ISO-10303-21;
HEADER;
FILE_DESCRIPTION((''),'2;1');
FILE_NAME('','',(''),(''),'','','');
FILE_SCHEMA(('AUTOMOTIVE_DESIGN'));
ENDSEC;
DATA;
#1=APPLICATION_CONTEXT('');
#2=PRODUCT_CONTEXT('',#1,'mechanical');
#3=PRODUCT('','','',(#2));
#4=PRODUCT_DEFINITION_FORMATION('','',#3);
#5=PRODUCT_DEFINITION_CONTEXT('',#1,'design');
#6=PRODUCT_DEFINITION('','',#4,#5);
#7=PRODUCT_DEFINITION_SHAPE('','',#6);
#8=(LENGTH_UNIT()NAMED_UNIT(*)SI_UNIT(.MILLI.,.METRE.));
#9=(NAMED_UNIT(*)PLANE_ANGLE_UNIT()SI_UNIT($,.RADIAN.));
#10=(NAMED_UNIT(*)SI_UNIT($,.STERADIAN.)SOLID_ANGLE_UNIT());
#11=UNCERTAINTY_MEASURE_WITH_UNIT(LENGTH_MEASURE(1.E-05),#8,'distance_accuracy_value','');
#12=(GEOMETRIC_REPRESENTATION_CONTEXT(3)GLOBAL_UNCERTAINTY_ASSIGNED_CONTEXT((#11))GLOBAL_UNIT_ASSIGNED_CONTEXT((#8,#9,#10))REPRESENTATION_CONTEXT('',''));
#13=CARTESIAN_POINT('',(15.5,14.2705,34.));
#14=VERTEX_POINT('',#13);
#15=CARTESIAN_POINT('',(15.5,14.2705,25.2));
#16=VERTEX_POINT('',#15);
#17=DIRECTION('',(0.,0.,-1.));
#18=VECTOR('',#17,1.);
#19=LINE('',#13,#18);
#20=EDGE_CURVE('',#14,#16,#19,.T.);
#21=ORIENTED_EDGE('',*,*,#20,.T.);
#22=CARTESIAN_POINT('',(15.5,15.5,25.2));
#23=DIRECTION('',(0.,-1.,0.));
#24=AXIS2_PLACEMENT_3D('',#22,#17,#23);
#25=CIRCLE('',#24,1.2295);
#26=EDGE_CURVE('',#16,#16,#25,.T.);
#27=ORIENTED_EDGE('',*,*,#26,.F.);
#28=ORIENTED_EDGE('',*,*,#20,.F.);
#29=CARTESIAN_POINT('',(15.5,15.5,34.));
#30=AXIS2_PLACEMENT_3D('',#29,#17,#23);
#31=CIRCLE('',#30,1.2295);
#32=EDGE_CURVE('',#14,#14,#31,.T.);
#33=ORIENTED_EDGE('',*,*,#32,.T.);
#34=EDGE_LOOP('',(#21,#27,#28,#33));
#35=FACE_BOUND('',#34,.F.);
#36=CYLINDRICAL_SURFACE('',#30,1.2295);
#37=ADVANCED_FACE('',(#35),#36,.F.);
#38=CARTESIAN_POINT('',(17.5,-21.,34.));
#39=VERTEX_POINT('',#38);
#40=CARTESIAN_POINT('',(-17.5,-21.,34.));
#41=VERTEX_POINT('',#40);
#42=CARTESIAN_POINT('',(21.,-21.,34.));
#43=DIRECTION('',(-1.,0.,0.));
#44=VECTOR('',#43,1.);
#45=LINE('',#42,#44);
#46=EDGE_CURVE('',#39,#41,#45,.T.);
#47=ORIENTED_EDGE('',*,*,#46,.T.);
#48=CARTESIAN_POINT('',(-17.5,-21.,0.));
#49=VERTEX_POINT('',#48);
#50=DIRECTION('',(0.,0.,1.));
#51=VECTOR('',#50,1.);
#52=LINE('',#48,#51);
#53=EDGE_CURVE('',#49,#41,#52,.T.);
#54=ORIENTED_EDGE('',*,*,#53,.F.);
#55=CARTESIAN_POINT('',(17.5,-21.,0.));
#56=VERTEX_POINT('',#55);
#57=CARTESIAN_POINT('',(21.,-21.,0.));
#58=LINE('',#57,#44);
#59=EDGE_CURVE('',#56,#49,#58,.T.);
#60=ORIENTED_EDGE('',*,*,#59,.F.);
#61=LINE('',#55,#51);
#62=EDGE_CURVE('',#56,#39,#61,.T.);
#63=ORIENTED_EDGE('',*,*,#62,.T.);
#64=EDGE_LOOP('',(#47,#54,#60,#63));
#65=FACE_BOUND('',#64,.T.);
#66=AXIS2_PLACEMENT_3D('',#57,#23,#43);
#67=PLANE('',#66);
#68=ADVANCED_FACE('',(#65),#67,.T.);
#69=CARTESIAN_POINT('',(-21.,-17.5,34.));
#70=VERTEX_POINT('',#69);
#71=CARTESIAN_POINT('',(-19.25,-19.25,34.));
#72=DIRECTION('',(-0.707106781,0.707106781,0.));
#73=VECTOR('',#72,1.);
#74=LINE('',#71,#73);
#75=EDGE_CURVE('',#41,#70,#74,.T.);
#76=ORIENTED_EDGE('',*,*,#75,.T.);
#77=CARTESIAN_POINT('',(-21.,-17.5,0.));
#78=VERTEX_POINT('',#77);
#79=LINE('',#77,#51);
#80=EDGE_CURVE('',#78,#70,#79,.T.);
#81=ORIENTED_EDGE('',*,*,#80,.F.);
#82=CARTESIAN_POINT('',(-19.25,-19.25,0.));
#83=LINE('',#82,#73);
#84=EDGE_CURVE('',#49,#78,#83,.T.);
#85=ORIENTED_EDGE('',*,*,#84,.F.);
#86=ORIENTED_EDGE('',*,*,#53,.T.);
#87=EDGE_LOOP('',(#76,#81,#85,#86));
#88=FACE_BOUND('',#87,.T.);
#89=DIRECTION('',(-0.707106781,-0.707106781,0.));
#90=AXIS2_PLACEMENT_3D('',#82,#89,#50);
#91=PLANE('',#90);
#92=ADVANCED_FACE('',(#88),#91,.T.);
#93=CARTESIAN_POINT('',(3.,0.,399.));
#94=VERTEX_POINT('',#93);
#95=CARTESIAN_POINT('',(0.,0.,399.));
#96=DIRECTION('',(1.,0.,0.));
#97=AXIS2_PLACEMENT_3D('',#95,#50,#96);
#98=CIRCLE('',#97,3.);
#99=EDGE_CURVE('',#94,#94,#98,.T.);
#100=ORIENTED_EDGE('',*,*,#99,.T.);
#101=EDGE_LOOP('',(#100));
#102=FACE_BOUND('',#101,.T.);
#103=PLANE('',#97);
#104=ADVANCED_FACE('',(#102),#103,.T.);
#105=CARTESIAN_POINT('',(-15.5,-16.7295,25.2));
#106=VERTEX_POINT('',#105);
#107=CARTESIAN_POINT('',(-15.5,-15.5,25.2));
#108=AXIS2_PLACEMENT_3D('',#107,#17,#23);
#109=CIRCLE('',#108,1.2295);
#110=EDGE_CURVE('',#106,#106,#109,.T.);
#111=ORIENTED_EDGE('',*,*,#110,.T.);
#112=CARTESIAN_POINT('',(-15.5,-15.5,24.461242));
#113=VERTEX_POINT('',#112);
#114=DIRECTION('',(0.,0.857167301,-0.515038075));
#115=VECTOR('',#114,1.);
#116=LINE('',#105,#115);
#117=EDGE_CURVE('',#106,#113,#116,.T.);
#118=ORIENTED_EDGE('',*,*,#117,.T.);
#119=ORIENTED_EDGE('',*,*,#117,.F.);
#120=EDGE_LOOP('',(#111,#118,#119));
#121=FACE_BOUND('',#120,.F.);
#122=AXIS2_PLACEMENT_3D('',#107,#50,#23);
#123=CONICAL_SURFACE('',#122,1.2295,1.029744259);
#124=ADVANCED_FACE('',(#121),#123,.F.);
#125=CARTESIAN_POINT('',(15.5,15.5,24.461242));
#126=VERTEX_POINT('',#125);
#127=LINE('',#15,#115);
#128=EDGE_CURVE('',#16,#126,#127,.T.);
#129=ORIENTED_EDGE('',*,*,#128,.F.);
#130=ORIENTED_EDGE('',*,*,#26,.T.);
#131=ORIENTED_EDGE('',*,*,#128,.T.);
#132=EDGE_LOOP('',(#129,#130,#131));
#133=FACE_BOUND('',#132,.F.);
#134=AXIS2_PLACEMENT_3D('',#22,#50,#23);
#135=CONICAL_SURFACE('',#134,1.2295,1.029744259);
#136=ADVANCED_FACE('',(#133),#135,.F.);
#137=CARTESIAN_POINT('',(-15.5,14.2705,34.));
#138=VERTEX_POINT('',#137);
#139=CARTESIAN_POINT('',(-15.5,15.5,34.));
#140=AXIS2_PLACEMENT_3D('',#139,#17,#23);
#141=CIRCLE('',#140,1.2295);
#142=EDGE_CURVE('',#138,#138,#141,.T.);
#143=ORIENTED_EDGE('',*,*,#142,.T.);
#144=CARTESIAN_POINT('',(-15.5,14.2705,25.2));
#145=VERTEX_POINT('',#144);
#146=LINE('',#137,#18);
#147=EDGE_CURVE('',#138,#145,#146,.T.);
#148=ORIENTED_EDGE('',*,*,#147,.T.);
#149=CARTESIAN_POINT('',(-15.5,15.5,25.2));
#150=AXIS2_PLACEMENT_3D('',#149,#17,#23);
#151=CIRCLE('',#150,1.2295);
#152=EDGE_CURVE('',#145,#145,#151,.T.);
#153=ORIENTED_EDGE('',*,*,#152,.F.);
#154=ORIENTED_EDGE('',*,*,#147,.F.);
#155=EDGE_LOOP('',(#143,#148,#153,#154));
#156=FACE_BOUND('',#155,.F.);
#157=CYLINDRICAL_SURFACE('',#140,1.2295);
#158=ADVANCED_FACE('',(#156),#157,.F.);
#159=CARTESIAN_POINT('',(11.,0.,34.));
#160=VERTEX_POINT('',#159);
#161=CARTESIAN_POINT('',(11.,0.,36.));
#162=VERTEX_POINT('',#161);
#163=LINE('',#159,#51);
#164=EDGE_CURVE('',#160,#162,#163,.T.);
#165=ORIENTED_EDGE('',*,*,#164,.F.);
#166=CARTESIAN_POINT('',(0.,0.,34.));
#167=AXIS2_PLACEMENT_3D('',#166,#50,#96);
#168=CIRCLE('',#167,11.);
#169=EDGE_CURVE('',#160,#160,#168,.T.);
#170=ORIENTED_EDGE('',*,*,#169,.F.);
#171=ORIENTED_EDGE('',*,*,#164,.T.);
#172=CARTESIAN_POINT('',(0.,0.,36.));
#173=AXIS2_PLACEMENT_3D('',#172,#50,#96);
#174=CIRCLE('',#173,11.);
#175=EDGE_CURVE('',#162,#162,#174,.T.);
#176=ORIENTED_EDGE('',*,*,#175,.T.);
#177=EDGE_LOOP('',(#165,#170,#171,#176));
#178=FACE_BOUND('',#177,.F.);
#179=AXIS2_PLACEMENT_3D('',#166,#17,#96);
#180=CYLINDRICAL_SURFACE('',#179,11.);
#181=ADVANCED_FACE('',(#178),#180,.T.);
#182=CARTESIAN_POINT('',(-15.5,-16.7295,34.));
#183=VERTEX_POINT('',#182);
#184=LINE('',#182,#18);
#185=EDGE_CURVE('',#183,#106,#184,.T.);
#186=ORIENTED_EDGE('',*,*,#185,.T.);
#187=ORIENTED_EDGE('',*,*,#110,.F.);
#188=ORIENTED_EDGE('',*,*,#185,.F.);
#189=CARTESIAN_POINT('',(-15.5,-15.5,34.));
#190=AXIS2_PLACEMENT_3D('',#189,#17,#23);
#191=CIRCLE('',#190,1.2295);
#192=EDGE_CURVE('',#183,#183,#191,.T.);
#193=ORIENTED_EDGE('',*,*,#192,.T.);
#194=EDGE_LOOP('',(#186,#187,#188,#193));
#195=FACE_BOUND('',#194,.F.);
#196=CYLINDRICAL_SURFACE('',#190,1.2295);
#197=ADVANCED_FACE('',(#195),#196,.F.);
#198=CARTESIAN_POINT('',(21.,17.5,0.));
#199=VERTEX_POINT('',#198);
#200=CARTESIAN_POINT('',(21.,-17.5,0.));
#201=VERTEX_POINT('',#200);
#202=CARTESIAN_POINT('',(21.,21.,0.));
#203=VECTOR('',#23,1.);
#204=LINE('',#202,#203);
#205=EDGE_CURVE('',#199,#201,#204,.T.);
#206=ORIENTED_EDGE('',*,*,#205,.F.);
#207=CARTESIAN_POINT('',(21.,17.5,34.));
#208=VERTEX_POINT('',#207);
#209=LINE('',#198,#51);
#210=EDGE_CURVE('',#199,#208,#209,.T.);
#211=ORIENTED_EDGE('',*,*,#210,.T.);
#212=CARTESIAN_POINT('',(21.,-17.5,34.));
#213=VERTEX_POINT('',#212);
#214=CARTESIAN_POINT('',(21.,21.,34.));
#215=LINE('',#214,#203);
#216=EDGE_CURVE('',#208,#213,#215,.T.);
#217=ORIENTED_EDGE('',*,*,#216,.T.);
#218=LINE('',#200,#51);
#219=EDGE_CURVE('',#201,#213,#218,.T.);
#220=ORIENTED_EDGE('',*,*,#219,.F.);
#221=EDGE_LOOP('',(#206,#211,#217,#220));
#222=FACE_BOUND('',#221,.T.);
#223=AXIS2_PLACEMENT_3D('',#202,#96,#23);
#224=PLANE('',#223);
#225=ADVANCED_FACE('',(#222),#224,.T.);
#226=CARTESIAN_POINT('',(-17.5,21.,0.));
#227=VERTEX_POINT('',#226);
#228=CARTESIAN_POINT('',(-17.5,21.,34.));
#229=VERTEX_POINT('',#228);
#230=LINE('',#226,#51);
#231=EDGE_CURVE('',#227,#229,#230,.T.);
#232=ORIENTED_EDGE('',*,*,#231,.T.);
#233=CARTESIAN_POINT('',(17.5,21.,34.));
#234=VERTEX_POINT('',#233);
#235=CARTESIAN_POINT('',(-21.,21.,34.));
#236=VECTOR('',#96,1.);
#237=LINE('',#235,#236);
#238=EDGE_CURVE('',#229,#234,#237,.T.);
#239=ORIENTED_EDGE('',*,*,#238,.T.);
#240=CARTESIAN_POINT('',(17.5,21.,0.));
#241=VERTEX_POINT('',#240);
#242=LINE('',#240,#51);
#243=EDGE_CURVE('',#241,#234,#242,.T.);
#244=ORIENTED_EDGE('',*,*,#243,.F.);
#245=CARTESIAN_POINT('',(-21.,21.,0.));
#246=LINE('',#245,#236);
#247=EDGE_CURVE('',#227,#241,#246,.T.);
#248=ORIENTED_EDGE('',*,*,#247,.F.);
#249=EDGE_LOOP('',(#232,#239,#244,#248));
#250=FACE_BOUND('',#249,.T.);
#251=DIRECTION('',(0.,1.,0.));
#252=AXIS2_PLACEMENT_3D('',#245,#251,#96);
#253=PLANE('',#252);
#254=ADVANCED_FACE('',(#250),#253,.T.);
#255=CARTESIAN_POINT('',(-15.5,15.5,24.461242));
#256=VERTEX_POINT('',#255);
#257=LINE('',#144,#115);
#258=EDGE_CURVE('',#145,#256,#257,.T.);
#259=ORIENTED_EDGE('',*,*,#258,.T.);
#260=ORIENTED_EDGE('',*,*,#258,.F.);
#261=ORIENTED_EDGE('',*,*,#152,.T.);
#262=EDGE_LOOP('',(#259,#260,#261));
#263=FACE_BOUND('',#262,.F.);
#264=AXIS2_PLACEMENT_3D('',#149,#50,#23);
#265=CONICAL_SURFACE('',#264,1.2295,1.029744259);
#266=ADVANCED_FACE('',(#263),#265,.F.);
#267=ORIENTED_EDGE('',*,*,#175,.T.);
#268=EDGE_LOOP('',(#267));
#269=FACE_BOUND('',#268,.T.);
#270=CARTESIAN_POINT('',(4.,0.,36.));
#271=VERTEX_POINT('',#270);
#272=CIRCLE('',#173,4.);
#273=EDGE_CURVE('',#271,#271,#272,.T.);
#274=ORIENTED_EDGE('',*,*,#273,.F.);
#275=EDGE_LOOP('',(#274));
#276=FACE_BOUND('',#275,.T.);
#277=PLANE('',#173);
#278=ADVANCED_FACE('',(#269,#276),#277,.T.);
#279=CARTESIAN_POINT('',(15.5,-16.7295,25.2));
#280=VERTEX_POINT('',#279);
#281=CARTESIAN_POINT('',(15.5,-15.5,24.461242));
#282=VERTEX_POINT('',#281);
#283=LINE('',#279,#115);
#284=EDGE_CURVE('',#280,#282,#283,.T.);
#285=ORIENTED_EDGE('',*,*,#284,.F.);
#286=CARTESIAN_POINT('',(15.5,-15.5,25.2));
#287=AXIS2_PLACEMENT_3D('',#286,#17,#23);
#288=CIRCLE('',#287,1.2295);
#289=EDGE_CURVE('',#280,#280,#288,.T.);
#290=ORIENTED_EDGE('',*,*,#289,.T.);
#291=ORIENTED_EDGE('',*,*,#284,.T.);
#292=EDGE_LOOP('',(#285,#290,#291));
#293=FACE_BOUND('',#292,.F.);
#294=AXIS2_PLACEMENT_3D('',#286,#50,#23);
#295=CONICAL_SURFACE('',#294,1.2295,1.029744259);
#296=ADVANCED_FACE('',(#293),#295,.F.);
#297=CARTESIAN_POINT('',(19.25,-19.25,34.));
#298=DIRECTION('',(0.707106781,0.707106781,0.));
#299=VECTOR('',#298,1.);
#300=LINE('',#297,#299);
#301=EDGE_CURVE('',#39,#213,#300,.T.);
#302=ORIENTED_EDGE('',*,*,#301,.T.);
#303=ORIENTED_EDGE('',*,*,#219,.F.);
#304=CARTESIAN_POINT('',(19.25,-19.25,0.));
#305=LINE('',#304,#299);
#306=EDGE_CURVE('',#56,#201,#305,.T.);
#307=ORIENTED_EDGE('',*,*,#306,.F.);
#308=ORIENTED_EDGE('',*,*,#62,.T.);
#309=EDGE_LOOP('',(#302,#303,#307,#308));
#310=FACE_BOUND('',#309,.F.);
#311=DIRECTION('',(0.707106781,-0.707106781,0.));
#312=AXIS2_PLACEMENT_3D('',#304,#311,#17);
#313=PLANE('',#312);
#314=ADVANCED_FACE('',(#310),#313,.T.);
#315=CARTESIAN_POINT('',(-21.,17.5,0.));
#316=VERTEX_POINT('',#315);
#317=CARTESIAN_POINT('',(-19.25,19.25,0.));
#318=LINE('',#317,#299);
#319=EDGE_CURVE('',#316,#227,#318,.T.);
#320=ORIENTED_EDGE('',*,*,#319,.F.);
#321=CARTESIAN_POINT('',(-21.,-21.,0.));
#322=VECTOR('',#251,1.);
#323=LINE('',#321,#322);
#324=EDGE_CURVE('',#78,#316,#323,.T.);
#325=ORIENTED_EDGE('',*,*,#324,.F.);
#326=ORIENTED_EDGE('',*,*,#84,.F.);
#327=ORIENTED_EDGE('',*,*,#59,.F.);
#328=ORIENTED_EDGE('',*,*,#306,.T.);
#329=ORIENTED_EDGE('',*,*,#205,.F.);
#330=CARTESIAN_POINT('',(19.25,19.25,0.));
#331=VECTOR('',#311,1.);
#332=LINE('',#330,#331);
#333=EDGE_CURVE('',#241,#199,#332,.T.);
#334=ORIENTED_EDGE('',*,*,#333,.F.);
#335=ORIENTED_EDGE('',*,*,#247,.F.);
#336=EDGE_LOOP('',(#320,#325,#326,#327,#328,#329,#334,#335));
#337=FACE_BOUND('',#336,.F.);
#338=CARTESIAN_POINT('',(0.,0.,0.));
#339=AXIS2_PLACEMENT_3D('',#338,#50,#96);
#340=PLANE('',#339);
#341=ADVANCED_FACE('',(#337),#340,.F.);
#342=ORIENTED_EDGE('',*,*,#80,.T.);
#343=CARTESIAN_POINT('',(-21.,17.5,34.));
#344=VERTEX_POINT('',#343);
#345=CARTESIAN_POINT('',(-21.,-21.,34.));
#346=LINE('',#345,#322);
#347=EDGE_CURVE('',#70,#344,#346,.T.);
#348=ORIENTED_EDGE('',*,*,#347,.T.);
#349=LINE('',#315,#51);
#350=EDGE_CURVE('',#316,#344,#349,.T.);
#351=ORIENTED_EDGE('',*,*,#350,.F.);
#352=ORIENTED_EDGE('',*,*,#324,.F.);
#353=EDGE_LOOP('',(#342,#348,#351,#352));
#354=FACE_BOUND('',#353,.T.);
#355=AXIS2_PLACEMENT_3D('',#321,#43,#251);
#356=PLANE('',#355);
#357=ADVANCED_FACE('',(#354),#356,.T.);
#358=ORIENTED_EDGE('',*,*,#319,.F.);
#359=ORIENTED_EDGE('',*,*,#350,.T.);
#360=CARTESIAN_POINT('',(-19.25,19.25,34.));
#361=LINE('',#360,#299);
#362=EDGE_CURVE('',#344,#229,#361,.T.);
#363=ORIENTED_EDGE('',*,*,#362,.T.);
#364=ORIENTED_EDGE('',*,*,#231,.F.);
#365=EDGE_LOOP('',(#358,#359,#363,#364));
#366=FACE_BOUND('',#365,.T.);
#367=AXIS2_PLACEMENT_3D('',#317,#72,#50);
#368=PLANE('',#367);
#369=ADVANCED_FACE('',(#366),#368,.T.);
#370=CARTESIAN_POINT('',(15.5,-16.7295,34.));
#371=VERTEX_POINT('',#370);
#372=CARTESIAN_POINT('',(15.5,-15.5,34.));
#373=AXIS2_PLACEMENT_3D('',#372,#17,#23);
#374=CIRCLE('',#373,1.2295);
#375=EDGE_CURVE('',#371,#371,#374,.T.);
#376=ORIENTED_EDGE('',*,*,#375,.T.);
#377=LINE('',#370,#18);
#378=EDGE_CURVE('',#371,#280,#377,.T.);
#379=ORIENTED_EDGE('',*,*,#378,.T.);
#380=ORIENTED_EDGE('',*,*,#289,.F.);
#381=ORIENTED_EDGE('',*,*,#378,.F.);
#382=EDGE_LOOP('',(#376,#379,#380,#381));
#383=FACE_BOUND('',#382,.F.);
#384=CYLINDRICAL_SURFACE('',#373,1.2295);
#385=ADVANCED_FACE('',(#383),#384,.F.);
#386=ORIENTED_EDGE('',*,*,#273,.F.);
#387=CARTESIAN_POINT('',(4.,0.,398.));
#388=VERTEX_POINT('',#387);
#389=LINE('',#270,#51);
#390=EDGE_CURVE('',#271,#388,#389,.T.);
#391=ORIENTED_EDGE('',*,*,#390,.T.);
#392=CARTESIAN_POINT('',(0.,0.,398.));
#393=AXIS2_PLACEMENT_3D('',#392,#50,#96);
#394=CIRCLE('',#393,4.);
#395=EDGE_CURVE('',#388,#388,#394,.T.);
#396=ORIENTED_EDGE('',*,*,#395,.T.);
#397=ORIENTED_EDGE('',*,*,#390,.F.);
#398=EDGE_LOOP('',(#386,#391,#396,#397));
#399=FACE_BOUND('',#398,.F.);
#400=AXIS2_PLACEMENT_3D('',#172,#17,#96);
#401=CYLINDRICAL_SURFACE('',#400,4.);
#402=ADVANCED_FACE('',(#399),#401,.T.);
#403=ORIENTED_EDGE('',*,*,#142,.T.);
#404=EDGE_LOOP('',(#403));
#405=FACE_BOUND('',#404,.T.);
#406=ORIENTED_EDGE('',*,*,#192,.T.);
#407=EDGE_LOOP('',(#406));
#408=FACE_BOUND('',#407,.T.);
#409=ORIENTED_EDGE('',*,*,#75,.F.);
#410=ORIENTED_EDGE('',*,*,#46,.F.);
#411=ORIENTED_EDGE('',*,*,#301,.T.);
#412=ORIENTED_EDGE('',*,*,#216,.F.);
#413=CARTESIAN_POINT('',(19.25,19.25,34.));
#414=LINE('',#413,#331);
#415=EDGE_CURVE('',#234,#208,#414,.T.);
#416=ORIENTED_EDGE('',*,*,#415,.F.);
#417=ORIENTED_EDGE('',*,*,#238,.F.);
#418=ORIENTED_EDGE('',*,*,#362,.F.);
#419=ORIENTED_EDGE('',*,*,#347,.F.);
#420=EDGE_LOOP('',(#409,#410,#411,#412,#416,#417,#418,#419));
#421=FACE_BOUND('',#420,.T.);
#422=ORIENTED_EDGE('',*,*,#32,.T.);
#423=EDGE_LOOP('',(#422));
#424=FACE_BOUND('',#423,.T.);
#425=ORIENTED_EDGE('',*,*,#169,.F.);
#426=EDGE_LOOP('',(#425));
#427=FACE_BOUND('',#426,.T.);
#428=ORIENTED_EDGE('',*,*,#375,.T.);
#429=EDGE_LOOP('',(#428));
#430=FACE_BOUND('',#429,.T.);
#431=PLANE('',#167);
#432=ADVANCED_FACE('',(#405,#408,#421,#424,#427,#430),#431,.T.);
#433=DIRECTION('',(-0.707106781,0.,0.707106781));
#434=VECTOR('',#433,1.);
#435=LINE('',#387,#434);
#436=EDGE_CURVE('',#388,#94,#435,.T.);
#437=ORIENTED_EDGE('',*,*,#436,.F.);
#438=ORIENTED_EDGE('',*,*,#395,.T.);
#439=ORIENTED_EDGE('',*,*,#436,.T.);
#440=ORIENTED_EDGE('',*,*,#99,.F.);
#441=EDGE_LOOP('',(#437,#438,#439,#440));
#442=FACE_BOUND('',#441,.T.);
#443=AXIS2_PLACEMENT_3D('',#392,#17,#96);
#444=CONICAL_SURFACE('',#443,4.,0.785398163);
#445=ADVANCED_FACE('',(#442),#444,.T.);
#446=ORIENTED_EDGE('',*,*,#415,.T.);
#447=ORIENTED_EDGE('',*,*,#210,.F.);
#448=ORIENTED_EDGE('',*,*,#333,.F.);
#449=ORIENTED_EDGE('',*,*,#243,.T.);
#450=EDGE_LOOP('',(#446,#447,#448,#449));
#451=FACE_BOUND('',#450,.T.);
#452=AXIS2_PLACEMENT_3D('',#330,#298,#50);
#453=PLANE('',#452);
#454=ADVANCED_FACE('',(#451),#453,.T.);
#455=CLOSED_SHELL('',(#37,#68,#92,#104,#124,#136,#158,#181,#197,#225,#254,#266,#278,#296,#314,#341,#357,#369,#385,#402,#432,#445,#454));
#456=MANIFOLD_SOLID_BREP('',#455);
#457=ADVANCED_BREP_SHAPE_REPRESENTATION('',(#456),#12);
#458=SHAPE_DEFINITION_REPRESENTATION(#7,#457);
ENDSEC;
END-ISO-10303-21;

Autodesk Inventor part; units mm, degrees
ref_plane "YZ Plane" through (0, 0, 0) normal (1, 0, 0) x (0, 1, 0)
ref_plane "XZ Plane" through (0, 0, 0) normal (0, 1, 0) x (-1, 0, 0)
ref_plane "XY Plane" through (0, 0, 0) normal (0, 0, 1) x (1, 0, 0)
sketch "Sketch1" plane through (0, 0, 0) normal (0, 0, 1) x (1, 0, 0)
  line L0 (21, -21) -> (-21, -21)
  line L1 (-21, -21) -> (-21, 21)
  line L2 (-21, 21) -> (21, 21)
  line L3 (21, 21) -> (21, -21)
  line L4 (21, -21) -> (-21, 21) construction
  line L5 (-21, -21) -> (21, 21) construction
  point P0 (0, 0)
  dimension "d0" = 42
extrude "Extrusion1" add sketch "Sketch1" along normal blind 34
chamfer "Chamfer1" distance 3.5 angle 45 4 edges at (-21, 21, 17) (21, 21, 17) (21, -21, 17) (-21, -21, 17)
sketch "Sketch2" plane through (0, 0, 34) normal (0, 0, 1) x (1, 0, 0)
  circle A0 centre (0, 0) radius 11
  dimension "d6" = 22
extrude "Extrusion2" add sketch "Sketch2" along normal blind 2
sketch "Sketch3" plane through (0, 0, 36) normal (0, 0, 1) x (1, 0, 0)
  circle A0 centre (0, 0) radius 4
  dimension "d9" = 8
extrude "Extrusion3" add sketch "Sketch3" along normal blind 363
thread "Thread1" size "M8x1.25" class "6g" standard "ANSI Metric M Profile" full length
chamfer "Chamfer2" distance 1 angle 45 1 edges at (-4, 0, 399)
sketch "Sketch4" plane through (0, 0, 34) normal (0, 0, 1) x (1, 0, 0)
  line L0 (-17.5, -21) -> (17.5, -21) projected
  line L1 (17.5, 21) -> (-17.5, 21) projected
  line L2 (-21, 17.5) -> (-21, -17.5) projected
  point P0 (0, 0)
  point P1 (-15.5, 15.5)
  point P2 (-15.5, -15.5)
  point P3 (15.5, -15.5)
  point P4 (15.5, 15.5)
  dimension "d17" = 31
  dimension "d18" = 31
  dimension "d19" = 42
  dimension "d21" = 5.5
  dimension "d22" = 5.5
hole "Hole1" at (-15.5, 15.5, 34) at (-15.5, -15.5, 34) at (15.5, -15.5, 34) at (15.5, 15.5, 34) direction (0, 0, -1) diameter 2.459 depth 8.8 tip angle 118 thread size "M3x0.5" class "6H" standard "ISO Metric profile"
equation "\"d21\" = -0.5 * d18 + 0.5 * d19"
equation "\"d22\" = -0.5 * d18 + 0.5 * d19"
properties part number "Motor_Z" material "Steel, Alloy"
